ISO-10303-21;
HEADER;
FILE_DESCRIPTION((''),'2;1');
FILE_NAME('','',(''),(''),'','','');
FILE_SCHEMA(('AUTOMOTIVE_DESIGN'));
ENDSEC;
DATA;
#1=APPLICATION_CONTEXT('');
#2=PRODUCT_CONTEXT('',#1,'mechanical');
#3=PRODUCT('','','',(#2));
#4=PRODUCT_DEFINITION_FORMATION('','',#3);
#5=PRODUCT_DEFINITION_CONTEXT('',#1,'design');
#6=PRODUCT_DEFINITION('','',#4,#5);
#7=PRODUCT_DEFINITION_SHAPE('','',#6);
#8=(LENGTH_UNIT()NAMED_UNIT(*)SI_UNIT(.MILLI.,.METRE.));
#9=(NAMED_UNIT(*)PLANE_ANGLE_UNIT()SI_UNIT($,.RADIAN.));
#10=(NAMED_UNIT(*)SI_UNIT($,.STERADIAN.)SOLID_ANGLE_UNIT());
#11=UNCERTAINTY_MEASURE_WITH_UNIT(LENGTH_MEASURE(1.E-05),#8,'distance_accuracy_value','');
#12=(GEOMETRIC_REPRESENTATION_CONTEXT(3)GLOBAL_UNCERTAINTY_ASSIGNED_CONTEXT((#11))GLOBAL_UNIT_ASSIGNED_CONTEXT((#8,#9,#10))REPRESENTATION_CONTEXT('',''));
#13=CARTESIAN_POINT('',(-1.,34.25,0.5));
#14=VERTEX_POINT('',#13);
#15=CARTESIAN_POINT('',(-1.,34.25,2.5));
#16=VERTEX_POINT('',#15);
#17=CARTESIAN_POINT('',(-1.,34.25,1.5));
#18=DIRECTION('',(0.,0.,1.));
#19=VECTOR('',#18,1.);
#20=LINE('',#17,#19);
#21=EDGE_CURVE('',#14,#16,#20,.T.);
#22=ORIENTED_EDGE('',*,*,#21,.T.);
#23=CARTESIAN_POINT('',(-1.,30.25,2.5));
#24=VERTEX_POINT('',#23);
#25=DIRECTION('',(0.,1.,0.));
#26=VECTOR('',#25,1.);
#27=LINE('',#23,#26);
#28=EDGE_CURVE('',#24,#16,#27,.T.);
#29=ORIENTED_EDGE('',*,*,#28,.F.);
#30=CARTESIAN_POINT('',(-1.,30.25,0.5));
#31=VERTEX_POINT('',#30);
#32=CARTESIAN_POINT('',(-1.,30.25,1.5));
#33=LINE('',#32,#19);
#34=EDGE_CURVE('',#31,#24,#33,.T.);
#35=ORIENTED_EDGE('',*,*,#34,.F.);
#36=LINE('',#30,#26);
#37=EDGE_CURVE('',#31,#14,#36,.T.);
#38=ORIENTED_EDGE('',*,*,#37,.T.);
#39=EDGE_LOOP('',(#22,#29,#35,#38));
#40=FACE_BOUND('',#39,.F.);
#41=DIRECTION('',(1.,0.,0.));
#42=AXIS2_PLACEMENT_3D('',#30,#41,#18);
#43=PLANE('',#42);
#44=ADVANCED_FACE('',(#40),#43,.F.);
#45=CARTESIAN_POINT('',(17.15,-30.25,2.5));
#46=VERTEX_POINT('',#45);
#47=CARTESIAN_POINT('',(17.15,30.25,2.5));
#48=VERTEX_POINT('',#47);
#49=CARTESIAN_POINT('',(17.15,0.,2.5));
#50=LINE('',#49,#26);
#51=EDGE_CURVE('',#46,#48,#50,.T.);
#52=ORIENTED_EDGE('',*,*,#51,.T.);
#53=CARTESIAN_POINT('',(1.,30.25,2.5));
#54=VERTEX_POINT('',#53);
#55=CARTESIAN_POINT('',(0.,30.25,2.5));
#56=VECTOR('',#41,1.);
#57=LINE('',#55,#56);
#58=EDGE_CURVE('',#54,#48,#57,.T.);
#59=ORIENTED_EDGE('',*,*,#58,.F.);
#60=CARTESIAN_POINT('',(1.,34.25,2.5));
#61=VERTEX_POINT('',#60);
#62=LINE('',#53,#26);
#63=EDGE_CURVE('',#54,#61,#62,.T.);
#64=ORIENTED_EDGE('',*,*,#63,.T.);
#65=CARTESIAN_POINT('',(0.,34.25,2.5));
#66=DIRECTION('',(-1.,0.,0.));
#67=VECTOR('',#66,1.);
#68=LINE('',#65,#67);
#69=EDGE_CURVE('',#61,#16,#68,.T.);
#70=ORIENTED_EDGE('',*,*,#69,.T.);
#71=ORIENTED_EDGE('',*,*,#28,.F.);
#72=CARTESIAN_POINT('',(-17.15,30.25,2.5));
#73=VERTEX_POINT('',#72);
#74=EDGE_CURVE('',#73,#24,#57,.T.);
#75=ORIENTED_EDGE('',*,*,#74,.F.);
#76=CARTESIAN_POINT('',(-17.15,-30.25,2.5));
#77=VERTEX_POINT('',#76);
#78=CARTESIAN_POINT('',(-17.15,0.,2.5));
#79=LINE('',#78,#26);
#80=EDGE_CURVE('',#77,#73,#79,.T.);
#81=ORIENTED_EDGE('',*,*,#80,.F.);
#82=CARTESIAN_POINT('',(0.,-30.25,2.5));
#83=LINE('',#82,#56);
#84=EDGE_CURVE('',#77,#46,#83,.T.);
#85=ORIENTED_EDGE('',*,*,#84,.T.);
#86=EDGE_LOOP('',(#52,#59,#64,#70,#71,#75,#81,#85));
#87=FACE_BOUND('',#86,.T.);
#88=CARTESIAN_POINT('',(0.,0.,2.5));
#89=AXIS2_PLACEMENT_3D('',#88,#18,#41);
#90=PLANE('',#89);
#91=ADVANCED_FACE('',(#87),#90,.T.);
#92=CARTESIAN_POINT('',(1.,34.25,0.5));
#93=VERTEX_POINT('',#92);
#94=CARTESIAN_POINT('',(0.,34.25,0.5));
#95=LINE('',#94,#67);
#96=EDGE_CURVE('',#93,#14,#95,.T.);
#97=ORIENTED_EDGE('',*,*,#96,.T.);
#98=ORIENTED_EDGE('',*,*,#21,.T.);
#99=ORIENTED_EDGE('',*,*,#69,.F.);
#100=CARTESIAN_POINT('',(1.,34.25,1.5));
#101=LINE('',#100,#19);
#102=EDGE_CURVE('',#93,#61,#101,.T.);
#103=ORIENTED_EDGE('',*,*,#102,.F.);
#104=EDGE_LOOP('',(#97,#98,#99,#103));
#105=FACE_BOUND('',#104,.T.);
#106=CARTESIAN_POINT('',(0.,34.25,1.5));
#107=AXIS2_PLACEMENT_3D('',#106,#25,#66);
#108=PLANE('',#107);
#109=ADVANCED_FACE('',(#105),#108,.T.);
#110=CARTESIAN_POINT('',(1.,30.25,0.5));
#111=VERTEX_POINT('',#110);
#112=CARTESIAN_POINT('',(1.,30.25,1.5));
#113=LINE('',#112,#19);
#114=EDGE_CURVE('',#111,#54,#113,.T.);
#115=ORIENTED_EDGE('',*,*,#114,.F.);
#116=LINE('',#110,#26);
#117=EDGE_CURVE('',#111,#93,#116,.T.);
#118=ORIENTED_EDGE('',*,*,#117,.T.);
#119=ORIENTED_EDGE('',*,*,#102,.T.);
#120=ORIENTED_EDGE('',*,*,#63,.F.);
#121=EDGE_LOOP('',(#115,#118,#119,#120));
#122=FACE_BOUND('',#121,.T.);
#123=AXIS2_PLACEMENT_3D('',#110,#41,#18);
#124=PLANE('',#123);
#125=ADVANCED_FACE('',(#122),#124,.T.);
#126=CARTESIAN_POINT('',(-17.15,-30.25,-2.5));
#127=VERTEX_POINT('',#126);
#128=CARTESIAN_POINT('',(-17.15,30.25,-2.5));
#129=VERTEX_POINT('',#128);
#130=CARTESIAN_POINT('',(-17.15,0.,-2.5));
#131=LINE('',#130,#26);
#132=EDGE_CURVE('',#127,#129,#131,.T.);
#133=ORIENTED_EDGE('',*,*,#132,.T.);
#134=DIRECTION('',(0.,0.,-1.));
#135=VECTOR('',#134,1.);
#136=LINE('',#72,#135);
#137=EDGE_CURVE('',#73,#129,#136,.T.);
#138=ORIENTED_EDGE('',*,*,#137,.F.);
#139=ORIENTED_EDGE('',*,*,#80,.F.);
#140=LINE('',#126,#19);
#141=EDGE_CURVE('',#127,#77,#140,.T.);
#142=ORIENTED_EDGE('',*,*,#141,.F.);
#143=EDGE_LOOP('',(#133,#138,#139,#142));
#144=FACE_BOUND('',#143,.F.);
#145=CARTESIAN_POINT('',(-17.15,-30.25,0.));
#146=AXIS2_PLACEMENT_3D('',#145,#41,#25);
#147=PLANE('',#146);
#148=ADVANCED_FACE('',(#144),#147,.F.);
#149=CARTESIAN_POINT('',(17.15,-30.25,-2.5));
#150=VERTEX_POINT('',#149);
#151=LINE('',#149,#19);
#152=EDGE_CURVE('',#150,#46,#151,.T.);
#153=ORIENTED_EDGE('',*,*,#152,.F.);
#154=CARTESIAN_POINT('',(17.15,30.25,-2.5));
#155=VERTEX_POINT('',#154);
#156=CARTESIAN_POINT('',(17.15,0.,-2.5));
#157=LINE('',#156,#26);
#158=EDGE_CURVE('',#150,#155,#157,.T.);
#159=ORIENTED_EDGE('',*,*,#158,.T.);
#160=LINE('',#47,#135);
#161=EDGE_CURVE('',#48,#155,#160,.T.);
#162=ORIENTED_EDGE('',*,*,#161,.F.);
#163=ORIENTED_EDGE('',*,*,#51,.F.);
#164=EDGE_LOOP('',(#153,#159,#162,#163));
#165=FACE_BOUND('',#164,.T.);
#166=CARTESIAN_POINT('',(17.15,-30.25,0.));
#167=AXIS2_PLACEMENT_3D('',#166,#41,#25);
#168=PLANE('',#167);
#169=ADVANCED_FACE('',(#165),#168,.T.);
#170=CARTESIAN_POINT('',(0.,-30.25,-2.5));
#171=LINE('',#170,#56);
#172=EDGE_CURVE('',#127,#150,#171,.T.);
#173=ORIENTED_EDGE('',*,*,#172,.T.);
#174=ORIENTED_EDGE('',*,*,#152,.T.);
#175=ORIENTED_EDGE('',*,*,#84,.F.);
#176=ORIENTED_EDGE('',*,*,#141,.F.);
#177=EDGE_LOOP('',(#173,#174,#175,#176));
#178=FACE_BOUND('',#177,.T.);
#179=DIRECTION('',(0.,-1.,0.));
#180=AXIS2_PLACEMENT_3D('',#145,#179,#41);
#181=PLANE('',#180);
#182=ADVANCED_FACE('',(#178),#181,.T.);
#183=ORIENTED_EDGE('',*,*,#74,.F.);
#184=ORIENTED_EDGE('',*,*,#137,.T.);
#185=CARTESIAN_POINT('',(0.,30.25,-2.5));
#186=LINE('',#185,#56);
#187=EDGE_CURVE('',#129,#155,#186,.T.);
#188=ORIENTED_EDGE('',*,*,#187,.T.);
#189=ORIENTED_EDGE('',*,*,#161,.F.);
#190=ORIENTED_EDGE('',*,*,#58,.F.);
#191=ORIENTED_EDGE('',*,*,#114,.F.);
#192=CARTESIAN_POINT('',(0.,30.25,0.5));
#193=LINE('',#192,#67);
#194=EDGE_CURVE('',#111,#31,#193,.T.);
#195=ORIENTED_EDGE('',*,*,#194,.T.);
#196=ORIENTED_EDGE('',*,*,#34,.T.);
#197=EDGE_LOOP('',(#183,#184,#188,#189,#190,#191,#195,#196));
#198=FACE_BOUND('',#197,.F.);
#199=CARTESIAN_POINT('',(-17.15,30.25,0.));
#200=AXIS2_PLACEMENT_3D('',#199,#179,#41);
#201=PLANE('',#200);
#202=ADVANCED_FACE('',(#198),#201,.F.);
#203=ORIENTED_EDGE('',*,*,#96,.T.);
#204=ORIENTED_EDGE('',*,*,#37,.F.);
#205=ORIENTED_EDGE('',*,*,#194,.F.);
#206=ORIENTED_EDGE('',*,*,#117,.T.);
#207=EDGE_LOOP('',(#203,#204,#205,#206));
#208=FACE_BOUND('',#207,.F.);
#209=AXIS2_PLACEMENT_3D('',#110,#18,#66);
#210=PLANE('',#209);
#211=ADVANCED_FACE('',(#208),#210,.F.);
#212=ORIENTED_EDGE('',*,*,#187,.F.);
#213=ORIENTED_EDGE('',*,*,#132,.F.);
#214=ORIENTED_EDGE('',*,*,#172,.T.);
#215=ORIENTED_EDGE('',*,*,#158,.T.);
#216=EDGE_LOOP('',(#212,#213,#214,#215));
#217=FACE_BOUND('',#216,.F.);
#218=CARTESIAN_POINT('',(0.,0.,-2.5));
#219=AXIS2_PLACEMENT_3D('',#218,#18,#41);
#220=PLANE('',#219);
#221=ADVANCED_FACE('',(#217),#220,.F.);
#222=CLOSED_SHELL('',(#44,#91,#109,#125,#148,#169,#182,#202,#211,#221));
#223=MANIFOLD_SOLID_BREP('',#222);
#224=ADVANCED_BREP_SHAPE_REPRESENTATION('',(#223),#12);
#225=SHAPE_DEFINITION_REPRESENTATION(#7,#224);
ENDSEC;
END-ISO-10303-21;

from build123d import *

# Parameters (mm, degrees)
SKETCH_W     = 34.3
SKETCH_H     = 60.5
PAD_DEPTH    = 2.5
SKETCH001_W  = 2
SKETCH001_H  = 2
PAD001_DEPTH = 4


with BuildPart() as part:
    # Sketch → Pad (new body, symmetric)
    with BuildSketch(Plane.XY):
        Rectangle(SKETCH_W, SKETCH_H)
    extrude(amount=PAD_DEPTH, both=True)

    # Sketch001 → Pad001 (new body)
    with BuildSketch(Plane(origin=(0, 30.25, 0), x_dir=(-1, 0, 0), z_dir=(0, 1, 0))):
        with Locations((0, 1.5)):
            Rectangle(SKETCH001_W, SKETCH001_H)
    extrude(amount=PAD001_DEPTH)


solid = part.part
